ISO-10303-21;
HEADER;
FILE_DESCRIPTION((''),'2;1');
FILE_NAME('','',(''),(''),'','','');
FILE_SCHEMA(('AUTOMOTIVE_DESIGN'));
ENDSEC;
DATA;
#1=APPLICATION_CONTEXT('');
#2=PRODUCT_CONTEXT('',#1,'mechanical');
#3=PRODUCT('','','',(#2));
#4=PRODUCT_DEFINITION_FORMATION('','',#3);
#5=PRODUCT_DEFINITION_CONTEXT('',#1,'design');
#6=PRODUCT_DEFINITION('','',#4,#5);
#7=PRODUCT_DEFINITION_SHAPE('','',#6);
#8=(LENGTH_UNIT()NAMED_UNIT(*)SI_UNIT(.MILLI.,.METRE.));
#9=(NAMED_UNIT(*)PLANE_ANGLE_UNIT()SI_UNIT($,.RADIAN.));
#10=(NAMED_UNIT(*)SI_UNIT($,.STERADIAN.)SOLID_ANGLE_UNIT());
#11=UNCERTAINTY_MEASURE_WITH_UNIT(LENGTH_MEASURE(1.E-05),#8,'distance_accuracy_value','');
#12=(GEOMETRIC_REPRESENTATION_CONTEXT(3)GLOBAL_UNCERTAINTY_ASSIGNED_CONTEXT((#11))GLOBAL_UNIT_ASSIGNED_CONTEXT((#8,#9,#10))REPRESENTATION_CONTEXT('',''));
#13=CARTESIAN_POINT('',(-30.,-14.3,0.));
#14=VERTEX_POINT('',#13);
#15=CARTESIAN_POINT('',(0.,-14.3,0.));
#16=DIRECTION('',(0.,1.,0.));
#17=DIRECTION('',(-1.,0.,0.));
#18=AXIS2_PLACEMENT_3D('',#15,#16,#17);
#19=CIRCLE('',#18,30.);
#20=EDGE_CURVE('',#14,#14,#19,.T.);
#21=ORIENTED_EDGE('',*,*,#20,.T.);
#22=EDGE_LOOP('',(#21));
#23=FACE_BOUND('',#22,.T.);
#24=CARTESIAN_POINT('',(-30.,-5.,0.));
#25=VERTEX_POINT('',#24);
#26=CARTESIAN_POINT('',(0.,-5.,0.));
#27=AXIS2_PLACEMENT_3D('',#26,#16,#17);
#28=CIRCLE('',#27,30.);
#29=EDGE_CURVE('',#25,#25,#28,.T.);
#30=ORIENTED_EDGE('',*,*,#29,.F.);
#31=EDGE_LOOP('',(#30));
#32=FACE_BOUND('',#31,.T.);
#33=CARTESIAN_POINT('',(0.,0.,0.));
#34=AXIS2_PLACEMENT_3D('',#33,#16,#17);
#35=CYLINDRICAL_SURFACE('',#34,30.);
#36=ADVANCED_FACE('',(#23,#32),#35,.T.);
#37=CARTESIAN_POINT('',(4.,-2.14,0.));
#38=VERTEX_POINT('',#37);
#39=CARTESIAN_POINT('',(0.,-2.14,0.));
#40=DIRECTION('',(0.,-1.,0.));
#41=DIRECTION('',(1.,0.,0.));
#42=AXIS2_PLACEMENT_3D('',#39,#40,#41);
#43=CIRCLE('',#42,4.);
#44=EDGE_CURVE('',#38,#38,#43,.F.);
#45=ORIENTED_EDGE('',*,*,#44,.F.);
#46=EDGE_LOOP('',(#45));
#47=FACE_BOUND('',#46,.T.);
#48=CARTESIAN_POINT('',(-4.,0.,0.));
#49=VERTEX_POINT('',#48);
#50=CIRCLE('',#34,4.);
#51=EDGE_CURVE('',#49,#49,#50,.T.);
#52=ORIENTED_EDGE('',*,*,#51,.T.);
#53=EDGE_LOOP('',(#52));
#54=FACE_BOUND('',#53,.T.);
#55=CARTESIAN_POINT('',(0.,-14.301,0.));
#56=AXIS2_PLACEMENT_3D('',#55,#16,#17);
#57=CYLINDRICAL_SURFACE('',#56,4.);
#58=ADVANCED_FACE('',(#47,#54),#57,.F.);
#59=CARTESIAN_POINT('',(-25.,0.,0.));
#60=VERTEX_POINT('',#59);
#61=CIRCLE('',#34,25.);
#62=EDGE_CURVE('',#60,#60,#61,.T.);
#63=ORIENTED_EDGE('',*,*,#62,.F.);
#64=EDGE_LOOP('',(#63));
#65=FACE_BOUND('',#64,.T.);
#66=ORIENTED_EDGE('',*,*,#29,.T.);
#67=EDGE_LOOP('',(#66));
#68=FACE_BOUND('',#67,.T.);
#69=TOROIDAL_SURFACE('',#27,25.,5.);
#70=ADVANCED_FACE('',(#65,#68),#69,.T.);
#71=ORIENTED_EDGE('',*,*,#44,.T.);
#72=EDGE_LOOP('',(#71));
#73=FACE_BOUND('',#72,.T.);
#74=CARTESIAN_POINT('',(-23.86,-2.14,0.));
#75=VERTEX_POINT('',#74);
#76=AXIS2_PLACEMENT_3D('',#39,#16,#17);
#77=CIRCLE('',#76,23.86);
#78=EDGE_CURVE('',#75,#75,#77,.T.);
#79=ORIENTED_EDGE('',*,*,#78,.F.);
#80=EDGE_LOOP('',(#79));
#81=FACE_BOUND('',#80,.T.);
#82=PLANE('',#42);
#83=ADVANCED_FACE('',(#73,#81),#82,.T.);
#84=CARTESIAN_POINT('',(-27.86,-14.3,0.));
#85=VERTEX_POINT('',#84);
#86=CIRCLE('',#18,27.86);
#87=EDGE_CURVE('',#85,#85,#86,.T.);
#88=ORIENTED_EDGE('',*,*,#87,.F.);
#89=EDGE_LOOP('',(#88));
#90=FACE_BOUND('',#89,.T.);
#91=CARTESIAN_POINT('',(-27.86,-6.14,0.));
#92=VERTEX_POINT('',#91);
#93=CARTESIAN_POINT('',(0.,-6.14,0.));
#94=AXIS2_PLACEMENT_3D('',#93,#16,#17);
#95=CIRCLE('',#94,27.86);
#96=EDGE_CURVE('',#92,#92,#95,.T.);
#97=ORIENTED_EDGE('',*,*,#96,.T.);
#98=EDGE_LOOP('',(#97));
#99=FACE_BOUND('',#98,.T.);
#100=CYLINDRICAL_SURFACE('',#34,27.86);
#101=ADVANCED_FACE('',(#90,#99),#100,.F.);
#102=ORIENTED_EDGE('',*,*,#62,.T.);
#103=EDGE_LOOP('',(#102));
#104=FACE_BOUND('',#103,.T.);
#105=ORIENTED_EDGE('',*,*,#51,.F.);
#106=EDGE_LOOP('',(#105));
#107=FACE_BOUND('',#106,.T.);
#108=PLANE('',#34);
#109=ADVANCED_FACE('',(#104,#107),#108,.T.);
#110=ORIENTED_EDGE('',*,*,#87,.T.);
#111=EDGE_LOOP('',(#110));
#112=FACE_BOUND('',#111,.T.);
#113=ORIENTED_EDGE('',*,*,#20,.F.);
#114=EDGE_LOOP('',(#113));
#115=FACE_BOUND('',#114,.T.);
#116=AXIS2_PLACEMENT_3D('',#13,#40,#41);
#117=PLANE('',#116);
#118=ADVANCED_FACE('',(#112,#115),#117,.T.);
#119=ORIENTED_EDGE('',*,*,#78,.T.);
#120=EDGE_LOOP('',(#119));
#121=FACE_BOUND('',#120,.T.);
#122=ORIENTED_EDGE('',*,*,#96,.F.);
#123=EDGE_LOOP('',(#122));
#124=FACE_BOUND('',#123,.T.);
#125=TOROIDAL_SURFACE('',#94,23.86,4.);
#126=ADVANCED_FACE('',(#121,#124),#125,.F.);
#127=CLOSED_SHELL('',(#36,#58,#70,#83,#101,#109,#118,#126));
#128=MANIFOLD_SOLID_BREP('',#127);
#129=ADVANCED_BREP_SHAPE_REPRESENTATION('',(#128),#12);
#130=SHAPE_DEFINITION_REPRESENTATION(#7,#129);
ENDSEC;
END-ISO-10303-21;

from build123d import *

# Parameters (mm, degrees)
ENL_V_MAT_EXTRU_1_REACH = 46.772
ESQUISSE3_R             = 4


with BuildPart() as part:
    # Esquisse2 → Révolution1 (revolve)
    with BuildSketch(Plane.XY):
        with BuildLine():
            Line((0, 0), (-25, 0))
            ThreePointArc((-25, 0), (-28.535533906, -1.464466094), (-30, -5))
            Line((-30, -5), (-30, -14.3))
            Line((-30, -14.3), (-27.86, -14.3))
            Line((-27.86, -14.3), (-27.86, -6.14))
            ThreePointArc((-27.86, -6.14), (-26.688427125, -3.311572875), (-23.86, -2.14))
            Line((-23.86, -2.14), (0, -2.14))
            Line((0, -2.14), (0, 0))
        make_face()
    revolve(axis=Axis((0, 0, 0), (0, -1, 0)))

    # Esquisse3 → Enlèv. mat.-Extru.1 (cut, up to next)
    with BuildSketch(Plane(origin=(0, 0, 0), x_dir=(1, 0, 0), z_dir=(0, 1, 0)), mode=Mode.PRIVATE) as enl_v_mat_extru_1_sk1:
        with Locations(Location((0, 0, 0), (0, 0, 180))):
            Circle(ESQUISSE3_R)
    enl_v_mat_extru_1_tool1 = extrude(enl_v_mat_extru_1_sk1.sketch, amount=-ENL_V_MAT_EXTRU_1_REACH, mode=Mode.PRIVATE) & part.part
    add(enl_v_mat_extru_1_tool1.solids().sort_by_distance((0, 0, 0))[0], mode=Mode.SUBTRACT)


solid = part.part
